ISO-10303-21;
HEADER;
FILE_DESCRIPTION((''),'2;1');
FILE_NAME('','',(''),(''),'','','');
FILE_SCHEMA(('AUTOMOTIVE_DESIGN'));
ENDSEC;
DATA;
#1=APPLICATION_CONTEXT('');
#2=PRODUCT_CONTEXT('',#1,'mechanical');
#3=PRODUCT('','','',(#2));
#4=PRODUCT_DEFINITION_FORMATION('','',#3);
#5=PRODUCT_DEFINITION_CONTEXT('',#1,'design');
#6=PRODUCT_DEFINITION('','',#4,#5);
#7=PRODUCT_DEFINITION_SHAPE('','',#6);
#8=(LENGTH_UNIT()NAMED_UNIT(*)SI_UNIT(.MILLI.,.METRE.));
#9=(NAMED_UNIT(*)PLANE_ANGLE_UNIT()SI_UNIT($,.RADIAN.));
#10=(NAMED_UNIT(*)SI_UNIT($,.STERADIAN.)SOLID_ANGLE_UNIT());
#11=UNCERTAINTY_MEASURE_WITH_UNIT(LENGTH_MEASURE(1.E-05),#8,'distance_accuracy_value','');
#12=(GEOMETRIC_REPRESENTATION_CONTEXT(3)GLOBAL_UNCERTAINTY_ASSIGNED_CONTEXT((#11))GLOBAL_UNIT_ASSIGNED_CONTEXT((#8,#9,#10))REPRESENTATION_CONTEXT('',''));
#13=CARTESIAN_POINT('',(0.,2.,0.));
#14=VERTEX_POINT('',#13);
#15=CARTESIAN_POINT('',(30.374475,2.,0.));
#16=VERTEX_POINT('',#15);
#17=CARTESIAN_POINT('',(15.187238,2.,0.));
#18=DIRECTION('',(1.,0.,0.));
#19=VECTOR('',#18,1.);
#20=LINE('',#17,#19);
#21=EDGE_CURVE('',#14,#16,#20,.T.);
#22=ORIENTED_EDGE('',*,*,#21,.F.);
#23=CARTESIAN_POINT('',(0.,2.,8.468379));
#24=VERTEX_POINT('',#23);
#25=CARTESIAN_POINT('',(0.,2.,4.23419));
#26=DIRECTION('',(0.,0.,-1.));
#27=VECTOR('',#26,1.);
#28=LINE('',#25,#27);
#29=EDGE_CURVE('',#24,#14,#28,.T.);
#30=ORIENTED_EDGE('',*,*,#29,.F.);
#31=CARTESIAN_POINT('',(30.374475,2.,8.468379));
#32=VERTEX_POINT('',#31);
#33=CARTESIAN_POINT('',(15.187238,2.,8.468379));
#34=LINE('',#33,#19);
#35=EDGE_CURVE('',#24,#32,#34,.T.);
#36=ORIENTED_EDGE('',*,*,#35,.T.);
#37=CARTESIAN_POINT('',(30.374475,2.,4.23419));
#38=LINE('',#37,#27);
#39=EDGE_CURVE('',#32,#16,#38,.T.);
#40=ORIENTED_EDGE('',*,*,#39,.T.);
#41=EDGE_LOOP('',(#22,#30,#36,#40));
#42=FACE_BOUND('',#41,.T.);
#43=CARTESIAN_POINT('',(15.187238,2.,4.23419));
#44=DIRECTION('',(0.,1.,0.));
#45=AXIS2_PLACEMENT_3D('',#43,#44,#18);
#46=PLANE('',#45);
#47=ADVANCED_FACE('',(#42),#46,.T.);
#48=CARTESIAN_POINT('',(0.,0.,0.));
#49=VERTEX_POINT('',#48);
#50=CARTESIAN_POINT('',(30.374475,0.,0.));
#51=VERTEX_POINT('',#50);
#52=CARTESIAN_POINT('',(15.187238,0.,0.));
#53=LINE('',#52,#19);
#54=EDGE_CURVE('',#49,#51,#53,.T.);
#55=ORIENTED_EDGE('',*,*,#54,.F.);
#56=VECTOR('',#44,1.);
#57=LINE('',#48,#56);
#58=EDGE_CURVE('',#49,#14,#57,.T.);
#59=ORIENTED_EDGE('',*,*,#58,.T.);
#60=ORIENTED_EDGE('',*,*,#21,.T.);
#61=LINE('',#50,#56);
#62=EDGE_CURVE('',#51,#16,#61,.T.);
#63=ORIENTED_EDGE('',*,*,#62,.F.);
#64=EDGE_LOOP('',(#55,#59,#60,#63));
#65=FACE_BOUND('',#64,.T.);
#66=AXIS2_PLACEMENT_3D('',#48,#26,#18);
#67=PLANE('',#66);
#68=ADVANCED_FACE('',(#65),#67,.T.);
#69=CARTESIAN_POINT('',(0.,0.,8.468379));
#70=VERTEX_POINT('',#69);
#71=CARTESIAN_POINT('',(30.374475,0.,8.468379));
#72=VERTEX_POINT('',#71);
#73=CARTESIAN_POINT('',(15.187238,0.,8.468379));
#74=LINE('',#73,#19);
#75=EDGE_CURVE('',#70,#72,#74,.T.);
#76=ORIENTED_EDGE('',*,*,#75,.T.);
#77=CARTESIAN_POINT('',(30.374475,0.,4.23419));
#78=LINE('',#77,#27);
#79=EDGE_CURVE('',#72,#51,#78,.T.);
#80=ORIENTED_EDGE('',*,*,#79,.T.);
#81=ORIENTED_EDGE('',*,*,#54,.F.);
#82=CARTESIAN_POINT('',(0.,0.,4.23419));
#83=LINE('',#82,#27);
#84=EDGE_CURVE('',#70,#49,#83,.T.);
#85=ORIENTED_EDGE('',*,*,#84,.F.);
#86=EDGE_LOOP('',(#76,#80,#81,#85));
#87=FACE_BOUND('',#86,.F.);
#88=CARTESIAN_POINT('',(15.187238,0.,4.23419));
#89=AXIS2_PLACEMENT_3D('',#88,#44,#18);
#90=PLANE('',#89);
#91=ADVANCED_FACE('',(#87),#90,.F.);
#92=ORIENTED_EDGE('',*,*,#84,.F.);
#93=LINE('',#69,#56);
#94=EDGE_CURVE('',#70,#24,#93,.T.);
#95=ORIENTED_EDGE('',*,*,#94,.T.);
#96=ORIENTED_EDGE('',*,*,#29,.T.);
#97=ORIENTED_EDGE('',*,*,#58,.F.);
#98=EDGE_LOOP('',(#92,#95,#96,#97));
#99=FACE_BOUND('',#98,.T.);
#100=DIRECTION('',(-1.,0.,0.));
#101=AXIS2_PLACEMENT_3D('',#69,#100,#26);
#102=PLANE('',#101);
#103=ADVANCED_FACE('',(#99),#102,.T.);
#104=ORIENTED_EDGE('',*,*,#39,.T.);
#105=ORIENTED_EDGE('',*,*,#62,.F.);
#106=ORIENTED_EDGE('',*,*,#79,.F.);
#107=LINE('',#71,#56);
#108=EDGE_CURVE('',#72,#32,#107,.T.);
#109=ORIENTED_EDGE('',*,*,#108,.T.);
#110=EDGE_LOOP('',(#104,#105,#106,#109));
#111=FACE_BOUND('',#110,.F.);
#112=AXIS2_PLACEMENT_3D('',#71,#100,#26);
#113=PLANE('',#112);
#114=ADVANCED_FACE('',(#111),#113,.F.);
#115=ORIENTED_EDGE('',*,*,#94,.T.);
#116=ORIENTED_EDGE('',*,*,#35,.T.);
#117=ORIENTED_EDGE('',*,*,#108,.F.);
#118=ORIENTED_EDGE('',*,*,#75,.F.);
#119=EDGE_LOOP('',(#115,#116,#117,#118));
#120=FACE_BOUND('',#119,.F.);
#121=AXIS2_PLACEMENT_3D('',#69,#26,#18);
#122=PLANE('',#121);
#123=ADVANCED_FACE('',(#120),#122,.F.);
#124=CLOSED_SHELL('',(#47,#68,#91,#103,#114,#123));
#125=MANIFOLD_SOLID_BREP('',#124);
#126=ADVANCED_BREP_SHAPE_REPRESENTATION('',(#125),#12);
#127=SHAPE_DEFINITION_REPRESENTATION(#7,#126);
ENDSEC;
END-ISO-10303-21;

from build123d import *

# Parameters (mm, degrees)
SKIZZE1_W                       = 30.374475099
SKIZZE1_H                       = 8.468379456
AUFSATZ_LINEAR_AUSTRAGEN1_DEPTH = 2


with BuildPart() as part:
    # Skizze1 → Aufsatz-Linear austragen1 (new body)
    with BuildSketch(Plane(origin=(0, 0, 0), x_dir=(1, 0, 0), z_dir=(0, 1, 0))):
        with Locations((15.18723755, -4.234189728)):
            Rectangle(SKIZZE1_W, SKIZZE1_H)
    extrude(amount=AUFSATZ_LINEAR_AUSTRAGEN1_DEPTH)


solid = part.part
